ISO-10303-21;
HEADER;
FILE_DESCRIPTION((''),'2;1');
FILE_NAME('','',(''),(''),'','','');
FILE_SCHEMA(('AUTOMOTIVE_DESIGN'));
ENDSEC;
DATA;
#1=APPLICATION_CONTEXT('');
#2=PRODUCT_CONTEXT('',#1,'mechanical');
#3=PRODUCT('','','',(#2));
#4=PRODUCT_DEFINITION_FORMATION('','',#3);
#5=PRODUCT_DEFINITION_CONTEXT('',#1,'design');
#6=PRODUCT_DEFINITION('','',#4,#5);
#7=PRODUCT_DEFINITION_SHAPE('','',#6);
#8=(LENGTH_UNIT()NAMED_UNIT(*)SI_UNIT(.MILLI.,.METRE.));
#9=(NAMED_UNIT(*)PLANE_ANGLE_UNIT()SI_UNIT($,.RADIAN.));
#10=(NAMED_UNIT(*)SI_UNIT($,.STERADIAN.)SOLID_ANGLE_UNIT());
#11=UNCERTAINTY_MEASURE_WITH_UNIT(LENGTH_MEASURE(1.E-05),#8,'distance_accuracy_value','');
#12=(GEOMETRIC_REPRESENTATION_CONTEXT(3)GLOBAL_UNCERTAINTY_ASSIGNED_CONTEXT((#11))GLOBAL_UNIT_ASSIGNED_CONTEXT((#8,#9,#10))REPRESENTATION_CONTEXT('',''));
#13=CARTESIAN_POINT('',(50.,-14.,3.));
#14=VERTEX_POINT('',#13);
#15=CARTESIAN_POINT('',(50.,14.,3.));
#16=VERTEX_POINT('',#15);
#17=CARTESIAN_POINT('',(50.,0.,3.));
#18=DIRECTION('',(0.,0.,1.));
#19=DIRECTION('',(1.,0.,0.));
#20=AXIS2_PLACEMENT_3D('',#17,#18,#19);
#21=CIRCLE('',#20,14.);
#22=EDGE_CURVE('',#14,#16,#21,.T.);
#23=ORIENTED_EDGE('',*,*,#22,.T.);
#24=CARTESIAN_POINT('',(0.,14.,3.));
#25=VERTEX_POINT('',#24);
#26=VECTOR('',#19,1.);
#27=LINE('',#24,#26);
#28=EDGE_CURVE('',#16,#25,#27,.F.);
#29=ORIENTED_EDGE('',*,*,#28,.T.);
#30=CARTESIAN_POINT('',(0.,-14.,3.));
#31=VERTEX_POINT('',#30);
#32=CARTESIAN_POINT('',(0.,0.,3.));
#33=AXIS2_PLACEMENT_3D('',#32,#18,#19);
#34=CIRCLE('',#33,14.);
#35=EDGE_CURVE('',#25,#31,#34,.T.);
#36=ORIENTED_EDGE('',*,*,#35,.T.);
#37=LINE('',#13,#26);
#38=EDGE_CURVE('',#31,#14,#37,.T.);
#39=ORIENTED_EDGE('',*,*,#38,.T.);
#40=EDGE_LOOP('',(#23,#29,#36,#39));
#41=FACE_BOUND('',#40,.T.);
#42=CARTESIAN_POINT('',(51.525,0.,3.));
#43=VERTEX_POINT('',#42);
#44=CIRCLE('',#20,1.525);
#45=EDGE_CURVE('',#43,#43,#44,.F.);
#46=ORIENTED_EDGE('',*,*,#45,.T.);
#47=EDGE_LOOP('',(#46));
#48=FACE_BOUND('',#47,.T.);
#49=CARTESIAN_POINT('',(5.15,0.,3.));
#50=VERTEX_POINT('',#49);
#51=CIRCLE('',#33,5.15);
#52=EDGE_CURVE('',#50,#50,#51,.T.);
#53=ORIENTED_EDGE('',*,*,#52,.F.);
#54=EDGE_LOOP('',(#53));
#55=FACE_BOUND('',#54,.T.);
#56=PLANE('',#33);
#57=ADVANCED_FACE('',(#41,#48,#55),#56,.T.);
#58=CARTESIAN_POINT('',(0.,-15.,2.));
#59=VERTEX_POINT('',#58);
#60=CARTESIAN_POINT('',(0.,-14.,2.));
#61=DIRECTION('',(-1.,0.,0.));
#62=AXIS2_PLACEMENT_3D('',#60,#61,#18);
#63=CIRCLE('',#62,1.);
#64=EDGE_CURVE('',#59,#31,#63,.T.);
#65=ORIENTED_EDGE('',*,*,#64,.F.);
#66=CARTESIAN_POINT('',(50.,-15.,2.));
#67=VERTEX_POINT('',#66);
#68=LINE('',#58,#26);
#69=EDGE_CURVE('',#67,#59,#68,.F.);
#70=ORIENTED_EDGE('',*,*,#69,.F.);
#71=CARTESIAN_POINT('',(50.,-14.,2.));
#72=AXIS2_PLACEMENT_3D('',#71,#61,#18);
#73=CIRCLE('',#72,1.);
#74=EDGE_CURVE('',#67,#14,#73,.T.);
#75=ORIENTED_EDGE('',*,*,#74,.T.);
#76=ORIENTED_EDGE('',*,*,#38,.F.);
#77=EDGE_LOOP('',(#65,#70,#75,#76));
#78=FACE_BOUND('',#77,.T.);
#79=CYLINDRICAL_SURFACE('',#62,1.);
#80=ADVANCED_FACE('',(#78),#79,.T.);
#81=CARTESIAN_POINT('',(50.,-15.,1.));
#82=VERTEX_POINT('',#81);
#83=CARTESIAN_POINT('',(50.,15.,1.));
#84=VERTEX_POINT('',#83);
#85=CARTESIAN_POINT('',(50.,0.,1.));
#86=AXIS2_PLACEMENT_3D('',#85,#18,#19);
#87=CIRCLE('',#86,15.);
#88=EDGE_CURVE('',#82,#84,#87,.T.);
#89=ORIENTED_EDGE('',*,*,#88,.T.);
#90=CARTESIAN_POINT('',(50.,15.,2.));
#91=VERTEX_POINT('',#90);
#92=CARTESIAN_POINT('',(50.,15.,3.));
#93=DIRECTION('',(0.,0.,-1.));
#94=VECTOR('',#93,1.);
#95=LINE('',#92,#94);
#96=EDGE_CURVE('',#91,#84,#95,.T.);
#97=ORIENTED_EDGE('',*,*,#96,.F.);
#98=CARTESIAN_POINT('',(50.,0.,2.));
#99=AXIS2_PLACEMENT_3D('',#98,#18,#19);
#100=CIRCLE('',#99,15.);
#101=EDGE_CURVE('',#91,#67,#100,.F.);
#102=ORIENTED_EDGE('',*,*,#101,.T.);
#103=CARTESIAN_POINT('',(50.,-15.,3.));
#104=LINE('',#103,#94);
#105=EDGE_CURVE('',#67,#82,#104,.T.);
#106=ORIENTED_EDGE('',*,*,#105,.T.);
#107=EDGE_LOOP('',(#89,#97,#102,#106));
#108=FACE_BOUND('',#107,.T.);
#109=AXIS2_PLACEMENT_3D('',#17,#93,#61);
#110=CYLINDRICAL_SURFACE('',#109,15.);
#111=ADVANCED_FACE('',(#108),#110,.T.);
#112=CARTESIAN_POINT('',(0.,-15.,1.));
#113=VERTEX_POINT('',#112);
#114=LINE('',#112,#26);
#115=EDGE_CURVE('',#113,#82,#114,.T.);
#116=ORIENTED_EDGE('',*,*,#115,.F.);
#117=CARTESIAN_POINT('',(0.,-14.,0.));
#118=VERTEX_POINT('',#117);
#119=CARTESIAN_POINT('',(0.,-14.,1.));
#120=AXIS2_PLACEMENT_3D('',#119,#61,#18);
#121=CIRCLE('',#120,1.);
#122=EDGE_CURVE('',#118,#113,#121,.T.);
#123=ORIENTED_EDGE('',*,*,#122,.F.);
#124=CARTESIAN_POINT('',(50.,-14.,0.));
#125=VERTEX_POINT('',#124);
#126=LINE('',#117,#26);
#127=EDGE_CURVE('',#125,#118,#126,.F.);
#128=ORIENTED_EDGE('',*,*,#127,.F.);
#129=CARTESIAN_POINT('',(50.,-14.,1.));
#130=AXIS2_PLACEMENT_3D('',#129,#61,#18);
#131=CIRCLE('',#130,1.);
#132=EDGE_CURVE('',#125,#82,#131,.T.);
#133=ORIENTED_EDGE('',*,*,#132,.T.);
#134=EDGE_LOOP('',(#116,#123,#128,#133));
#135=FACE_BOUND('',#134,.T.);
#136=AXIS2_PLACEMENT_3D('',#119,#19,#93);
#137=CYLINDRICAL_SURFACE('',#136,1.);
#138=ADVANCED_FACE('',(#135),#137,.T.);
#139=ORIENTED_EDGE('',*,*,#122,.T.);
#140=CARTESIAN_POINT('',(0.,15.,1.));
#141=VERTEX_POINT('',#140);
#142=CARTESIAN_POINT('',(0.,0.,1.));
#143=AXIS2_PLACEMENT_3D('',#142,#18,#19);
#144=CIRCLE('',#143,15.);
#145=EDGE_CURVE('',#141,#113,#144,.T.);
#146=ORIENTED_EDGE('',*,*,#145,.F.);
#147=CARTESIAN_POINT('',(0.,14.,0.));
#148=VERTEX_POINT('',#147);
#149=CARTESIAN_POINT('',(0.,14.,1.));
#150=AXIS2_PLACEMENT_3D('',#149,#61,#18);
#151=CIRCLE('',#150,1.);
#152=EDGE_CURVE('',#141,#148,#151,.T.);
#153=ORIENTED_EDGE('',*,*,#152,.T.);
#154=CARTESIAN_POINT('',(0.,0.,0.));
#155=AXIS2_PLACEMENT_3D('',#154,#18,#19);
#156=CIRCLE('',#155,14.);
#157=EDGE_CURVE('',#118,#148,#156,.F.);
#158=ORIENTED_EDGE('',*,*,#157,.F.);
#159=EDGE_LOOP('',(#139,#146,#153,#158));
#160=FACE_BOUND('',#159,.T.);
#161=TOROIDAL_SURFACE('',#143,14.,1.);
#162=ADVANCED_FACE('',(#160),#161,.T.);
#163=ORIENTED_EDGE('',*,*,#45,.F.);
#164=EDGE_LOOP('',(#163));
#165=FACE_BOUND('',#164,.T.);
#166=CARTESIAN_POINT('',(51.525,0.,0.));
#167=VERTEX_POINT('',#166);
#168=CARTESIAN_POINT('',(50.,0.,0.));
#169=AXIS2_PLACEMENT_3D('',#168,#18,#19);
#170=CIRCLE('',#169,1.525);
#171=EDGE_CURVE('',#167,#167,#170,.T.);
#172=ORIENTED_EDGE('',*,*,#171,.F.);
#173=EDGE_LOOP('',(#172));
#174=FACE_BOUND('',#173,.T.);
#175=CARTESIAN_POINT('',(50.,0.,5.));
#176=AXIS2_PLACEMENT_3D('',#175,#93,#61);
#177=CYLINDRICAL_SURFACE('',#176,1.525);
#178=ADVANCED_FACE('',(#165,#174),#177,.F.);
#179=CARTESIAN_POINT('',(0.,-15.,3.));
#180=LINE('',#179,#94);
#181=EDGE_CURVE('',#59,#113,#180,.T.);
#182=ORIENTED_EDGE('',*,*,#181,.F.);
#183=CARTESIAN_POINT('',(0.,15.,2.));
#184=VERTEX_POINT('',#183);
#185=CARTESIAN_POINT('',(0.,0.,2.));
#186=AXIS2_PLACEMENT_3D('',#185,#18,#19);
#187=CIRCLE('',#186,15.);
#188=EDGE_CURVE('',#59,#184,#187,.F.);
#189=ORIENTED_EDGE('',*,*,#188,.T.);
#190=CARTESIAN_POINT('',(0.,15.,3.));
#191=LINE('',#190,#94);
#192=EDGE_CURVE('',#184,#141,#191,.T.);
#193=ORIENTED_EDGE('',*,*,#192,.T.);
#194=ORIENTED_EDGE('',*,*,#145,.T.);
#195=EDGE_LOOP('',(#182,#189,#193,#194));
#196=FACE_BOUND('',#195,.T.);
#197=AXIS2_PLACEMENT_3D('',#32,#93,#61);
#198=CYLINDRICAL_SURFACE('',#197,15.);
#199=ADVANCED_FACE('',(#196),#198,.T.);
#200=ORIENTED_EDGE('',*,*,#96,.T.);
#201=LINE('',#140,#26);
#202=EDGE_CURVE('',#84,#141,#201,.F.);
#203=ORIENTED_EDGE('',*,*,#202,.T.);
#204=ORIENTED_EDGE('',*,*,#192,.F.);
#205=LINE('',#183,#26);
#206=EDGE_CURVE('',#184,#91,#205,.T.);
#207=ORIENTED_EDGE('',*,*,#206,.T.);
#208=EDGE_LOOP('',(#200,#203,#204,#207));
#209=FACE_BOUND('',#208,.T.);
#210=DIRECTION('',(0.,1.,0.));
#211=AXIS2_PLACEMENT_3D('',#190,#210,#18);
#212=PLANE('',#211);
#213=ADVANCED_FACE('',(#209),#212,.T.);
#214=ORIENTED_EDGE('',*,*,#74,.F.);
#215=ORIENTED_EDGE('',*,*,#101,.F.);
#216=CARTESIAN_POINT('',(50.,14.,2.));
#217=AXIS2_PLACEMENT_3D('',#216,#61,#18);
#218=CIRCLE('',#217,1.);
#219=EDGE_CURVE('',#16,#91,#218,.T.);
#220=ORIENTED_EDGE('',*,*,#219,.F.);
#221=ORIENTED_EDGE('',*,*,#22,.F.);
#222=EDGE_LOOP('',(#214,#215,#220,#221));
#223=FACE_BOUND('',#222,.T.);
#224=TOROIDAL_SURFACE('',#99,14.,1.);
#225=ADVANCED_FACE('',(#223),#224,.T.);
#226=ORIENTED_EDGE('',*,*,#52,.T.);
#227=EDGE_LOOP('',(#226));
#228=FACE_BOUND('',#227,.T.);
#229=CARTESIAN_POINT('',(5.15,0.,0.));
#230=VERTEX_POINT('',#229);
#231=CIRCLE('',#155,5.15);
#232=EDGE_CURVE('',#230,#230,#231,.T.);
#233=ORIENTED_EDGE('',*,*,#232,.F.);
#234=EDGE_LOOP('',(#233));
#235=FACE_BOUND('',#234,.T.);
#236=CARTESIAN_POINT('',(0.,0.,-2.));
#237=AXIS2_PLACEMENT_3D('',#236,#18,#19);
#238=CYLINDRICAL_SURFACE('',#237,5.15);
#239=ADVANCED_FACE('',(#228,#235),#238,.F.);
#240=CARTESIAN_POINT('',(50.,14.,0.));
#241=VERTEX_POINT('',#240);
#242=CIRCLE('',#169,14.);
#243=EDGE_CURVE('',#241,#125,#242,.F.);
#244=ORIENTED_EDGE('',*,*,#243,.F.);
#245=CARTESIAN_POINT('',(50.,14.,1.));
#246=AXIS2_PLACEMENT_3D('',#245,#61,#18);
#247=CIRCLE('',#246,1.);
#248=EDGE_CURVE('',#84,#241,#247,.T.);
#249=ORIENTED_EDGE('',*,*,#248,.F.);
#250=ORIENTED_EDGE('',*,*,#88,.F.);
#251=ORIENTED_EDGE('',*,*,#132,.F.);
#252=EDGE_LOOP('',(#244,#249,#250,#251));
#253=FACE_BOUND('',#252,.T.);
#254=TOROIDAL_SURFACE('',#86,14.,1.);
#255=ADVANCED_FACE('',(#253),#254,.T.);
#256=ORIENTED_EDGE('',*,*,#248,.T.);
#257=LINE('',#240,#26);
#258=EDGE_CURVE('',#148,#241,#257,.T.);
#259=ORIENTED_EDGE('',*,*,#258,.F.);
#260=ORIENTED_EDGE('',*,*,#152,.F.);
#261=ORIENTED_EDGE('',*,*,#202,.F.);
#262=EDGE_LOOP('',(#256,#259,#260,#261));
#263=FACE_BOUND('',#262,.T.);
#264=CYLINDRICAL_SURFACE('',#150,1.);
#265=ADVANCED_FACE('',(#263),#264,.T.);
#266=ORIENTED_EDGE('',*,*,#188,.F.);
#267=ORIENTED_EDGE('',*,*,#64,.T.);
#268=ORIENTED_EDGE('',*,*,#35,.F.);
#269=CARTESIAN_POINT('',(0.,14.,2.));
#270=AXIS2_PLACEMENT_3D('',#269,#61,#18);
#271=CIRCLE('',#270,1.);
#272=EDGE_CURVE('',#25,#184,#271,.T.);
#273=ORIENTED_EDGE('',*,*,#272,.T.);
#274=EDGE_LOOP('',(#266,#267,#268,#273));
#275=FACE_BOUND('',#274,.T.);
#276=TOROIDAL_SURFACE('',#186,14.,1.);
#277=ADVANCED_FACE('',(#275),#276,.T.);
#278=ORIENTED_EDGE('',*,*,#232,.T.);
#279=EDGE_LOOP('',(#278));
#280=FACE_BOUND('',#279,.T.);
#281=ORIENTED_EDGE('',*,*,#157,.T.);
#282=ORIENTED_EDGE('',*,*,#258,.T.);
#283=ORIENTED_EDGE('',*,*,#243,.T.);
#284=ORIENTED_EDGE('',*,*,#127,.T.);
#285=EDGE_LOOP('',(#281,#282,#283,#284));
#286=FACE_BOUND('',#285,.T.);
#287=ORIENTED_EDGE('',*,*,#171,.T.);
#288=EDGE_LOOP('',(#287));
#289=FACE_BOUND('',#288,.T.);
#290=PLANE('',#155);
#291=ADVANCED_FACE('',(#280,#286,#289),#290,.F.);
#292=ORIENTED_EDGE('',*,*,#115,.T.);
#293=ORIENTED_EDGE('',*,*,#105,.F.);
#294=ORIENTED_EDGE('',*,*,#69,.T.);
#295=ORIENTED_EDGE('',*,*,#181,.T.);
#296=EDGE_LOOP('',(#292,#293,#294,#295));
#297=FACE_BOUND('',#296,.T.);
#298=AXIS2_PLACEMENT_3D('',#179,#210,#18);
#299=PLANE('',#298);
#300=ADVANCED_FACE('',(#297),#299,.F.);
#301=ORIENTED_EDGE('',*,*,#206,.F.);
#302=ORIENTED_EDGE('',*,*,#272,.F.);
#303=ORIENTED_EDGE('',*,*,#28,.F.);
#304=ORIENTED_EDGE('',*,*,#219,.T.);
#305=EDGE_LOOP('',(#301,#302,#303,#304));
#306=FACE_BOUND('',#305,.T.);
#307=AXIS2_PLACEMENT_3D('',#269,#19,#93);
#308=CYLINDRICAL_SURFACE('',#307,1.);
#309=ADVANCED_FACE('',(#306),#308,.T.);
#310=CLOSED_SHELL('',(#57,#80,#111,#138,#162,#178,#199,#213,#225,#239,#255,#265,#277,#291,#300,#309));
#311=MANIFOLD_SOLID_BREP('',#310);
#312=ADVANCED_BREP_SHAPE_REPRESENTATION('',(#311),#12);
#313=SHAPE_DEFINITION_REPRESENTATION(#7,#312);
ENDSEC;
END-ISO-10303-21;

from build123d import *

# Parameters (mm, degrees)
EXTRUDE_1_DEPTH     = 3
SKETCH_1_3_R        = 1.525
CUT_EXTRUDE_1_DEPTH = 5
FILLET_1_R          = 1
SKETCH_2_R          = 5.15
CUT_EXTRUDE_2_DEPTH = 5


with BuildPart() as part:
    # 草图1 → 凸台-拉伸1 (new body)
    with BuildSketch(Plane.XY):
        with BuildLine():
            Line((0, 15), (50, 15))
            ThreePointArc((50, 15), (65, 0), (50, -15))
            Line((50, -15), (0, -15))
            ThreePointArc((0, -15), (-15, 0), (0, 15))
        make_face()
    extrude(amount=EXTRUDE_1_DEPTH)

    # 草图1<3> → 切除-拉伸1 (cut)
    with BuildSketch(Plane.XY):
        with Locations((50, 0)):
            Circle(SKETCH_1_3_R)
    extrude(amount=CUT_EXTRUDE_1_DEPTH, mode=Mode.SUBTRACT)

    # 圆角1
    fillet_1_edges = [part.edges().sort_by_distance(p)[0] for p in [
        (65, 0, 3),
        (25, 15, 3),
        (-15, 0, 3),
        (25, 15, 0),
        (65, 0, 0),
        (25, -15, 0),
        (-15, 0, 0),
        (25, -15, 3),
    ]]
    fillet(fillet_1_edges, radius=FILLET_1_R)

    # 草图2 → 切除-拉伸2 (cut)
    with BuildSketch(Plane.XY.offset(3)):
        Circle(SKETCH_2_R)
    extrude(amount=-CUT_EXTRUDE_2_DEPTH, mode=Mode.SUBTRACT)


solid = part.part
